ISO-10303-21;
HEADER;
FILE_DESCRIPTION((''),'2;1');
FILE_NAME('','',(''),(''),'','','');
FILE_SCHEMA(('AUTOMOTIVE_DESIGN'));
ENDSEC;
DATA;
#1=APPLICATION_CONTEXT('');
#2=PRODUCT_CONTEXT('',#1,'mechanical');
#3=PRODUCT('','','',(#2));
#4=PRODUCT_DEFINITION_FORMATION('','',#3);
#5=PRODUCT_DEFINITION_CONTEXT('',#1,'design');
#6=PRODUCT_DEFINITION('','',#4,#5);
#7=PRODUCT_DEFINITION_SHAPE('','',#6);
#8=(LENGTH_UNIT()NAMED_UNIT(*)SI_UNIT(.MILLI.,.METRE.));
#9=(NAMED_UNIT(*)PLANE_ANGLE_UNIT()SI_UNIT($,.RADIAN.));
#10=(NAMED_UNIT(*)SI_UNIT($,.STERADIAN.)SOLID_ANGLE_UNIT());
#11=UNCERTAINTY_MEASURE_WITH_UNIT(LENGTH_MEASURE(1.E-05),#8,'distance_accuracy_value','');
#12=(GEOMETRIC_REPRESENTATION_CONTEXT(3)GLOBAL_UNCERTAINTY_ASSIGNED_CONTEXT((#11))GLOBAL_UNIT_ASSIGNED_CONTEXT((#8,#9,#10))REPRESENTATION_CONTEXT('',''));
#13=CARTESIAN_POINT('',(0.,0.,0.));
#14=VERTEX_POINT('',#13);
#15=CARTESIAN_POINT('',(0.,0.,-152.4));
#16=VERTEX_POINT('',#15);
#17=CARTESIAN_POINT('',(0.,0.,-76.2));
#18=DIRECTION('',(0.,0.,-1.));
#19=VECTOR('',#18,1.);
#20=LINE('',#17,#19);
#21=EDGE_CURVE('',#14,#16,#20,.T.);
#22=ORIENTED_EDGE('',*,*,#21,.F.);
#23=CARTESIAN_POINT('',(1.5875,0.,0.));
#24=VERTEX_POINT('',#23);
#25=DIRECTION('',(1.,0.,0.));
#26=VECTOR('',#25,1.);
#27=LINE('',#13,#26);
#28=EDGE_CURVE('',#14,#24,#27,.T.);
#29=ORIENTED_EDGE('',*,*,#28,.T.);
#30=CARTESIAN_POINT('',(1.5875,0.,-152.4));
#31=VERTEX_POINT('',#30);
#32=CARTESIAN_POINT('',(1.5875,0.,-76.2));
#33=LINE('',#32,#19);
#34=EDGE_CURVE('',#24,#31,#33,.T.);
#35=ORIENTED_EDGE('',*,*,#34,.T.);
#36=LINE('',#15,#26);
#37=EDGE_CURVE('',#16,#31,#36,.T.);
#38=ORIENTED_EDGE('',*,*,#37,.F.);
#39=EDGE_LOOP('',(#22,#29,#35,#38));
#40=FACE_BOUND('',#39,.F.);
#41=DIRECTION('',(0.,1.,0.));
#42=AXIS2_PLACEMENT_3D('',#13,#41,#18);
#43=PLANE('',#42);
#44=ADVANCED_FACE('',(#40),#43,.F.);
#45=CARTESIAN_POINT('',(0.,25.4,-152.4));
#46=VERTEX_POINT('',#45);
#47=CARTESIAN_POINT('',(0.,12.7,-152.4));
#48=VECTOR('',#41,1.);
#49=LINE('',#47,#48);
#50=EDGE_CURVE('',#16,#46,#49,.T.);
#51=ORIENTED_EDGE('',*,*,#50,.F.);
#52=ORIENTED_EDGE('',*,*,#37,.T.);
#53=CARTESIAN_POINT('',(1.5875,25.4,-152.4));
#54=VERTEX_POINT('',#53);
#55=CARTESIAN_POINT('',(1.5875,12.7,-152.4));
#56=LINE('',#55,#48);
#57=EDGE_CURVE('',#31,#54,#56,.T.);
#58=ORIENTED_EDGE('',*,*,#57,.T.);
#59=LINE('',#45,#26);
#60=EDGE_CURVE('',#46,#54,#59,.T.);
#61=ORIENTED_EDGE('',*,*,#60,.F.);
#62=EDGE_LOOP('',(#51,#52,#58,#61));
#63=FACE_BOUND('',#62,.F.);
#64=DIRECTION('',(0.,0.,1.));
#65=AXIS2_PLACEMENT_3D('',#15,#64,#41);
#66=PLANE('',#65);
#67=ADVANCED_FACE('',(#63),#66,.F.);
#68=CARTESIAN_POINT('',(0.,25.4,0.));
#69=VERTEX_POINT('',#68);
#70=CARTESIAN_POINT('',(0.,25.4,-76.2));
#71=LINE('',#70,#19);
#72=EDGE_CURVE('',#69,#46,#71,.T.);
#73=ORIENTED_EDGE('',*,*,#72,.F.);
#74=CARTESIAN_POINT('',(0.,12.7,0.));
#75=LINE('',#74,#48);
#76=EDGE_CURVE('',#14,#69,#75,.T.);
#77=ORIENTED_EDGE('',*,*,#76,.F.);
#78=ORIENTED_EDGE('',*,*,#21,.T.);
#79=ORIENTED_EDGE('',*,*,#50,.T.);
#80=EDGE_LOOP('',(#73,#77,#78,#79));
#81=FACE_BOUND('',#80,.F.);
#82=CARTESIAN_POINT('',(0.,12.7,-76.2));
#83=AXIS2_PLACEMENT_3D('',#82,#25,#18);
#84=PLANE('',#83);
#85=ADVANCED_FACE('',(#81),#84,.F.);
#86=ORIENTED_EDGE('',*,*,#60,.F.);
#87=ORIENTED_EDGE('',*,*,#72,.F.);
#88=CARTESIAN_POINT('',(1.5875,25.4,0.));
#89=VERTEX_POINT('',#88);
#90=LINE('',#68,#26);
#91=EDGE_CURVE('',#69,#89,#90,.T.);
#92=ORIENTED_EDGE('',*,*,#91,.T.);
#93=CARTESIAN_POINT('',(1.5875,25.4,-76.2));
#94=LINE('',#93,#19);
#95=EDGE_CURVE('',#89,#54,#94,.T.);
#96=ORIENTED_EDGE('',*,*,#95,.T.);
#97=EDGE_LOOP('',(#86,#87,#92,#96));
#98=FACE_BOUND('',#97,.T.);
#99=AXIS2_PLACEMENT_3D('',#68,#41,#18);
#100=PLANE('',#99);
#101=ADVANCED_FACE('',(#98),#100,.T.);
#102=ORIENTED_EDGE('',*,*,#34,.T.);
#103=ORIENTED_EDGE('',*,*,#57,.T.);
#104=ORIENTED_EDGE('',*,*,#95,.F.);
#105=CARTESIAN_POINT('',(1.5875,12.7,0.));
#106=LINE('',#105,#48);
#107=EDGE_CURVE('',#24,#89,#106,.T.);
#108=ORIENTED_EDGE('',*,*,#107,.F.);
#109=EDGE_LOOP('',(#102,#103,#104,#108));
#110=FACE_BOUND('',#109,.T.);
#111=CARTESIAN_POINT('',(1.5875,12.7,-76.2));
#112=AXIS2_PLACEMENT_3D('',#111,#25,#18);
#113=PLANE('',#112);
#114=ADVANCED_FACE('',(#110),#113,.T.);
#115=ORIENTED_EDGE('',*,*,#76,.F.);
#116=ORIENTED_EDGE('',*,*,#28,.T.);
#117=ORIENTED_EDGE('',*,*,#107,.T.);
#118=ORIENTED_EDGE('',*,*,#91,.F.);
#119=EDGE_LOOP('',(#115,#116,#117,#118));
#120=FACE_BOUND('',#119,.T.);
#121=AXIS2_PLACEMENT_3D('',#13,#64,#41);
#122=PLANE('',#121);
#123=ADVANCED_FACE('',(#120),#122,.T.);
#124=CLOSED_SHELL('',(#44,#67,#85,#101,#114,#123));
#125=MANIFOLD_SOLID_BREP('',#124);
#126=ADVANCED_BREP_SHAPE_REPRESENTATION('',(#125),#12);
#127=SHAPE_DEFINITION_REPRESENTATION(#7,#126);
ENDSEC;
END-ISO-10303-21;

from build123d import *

# Parameters (mm, degrees)
SKETCH1_W           = 152.4
SKETCH1_H           = 25.4
BOSS_EXTRUDE1_DEPTH = 1.5875


with BuildPart() as part:
    # Sketch1 → Boss-Extrude1 (new body)
    with BuildSketch(Plane(origin=(0, 0, 0), x_dir=(0, 0, -1), z_dir=(1, 0, 0))):
        with Locations((76.2, 12.7)):
            Rectangle(SKETCH1_W, SKETCH1_H)
    extrude(amount=BOSS_EXTRUDE1_DEPTH)


solid = part.part
